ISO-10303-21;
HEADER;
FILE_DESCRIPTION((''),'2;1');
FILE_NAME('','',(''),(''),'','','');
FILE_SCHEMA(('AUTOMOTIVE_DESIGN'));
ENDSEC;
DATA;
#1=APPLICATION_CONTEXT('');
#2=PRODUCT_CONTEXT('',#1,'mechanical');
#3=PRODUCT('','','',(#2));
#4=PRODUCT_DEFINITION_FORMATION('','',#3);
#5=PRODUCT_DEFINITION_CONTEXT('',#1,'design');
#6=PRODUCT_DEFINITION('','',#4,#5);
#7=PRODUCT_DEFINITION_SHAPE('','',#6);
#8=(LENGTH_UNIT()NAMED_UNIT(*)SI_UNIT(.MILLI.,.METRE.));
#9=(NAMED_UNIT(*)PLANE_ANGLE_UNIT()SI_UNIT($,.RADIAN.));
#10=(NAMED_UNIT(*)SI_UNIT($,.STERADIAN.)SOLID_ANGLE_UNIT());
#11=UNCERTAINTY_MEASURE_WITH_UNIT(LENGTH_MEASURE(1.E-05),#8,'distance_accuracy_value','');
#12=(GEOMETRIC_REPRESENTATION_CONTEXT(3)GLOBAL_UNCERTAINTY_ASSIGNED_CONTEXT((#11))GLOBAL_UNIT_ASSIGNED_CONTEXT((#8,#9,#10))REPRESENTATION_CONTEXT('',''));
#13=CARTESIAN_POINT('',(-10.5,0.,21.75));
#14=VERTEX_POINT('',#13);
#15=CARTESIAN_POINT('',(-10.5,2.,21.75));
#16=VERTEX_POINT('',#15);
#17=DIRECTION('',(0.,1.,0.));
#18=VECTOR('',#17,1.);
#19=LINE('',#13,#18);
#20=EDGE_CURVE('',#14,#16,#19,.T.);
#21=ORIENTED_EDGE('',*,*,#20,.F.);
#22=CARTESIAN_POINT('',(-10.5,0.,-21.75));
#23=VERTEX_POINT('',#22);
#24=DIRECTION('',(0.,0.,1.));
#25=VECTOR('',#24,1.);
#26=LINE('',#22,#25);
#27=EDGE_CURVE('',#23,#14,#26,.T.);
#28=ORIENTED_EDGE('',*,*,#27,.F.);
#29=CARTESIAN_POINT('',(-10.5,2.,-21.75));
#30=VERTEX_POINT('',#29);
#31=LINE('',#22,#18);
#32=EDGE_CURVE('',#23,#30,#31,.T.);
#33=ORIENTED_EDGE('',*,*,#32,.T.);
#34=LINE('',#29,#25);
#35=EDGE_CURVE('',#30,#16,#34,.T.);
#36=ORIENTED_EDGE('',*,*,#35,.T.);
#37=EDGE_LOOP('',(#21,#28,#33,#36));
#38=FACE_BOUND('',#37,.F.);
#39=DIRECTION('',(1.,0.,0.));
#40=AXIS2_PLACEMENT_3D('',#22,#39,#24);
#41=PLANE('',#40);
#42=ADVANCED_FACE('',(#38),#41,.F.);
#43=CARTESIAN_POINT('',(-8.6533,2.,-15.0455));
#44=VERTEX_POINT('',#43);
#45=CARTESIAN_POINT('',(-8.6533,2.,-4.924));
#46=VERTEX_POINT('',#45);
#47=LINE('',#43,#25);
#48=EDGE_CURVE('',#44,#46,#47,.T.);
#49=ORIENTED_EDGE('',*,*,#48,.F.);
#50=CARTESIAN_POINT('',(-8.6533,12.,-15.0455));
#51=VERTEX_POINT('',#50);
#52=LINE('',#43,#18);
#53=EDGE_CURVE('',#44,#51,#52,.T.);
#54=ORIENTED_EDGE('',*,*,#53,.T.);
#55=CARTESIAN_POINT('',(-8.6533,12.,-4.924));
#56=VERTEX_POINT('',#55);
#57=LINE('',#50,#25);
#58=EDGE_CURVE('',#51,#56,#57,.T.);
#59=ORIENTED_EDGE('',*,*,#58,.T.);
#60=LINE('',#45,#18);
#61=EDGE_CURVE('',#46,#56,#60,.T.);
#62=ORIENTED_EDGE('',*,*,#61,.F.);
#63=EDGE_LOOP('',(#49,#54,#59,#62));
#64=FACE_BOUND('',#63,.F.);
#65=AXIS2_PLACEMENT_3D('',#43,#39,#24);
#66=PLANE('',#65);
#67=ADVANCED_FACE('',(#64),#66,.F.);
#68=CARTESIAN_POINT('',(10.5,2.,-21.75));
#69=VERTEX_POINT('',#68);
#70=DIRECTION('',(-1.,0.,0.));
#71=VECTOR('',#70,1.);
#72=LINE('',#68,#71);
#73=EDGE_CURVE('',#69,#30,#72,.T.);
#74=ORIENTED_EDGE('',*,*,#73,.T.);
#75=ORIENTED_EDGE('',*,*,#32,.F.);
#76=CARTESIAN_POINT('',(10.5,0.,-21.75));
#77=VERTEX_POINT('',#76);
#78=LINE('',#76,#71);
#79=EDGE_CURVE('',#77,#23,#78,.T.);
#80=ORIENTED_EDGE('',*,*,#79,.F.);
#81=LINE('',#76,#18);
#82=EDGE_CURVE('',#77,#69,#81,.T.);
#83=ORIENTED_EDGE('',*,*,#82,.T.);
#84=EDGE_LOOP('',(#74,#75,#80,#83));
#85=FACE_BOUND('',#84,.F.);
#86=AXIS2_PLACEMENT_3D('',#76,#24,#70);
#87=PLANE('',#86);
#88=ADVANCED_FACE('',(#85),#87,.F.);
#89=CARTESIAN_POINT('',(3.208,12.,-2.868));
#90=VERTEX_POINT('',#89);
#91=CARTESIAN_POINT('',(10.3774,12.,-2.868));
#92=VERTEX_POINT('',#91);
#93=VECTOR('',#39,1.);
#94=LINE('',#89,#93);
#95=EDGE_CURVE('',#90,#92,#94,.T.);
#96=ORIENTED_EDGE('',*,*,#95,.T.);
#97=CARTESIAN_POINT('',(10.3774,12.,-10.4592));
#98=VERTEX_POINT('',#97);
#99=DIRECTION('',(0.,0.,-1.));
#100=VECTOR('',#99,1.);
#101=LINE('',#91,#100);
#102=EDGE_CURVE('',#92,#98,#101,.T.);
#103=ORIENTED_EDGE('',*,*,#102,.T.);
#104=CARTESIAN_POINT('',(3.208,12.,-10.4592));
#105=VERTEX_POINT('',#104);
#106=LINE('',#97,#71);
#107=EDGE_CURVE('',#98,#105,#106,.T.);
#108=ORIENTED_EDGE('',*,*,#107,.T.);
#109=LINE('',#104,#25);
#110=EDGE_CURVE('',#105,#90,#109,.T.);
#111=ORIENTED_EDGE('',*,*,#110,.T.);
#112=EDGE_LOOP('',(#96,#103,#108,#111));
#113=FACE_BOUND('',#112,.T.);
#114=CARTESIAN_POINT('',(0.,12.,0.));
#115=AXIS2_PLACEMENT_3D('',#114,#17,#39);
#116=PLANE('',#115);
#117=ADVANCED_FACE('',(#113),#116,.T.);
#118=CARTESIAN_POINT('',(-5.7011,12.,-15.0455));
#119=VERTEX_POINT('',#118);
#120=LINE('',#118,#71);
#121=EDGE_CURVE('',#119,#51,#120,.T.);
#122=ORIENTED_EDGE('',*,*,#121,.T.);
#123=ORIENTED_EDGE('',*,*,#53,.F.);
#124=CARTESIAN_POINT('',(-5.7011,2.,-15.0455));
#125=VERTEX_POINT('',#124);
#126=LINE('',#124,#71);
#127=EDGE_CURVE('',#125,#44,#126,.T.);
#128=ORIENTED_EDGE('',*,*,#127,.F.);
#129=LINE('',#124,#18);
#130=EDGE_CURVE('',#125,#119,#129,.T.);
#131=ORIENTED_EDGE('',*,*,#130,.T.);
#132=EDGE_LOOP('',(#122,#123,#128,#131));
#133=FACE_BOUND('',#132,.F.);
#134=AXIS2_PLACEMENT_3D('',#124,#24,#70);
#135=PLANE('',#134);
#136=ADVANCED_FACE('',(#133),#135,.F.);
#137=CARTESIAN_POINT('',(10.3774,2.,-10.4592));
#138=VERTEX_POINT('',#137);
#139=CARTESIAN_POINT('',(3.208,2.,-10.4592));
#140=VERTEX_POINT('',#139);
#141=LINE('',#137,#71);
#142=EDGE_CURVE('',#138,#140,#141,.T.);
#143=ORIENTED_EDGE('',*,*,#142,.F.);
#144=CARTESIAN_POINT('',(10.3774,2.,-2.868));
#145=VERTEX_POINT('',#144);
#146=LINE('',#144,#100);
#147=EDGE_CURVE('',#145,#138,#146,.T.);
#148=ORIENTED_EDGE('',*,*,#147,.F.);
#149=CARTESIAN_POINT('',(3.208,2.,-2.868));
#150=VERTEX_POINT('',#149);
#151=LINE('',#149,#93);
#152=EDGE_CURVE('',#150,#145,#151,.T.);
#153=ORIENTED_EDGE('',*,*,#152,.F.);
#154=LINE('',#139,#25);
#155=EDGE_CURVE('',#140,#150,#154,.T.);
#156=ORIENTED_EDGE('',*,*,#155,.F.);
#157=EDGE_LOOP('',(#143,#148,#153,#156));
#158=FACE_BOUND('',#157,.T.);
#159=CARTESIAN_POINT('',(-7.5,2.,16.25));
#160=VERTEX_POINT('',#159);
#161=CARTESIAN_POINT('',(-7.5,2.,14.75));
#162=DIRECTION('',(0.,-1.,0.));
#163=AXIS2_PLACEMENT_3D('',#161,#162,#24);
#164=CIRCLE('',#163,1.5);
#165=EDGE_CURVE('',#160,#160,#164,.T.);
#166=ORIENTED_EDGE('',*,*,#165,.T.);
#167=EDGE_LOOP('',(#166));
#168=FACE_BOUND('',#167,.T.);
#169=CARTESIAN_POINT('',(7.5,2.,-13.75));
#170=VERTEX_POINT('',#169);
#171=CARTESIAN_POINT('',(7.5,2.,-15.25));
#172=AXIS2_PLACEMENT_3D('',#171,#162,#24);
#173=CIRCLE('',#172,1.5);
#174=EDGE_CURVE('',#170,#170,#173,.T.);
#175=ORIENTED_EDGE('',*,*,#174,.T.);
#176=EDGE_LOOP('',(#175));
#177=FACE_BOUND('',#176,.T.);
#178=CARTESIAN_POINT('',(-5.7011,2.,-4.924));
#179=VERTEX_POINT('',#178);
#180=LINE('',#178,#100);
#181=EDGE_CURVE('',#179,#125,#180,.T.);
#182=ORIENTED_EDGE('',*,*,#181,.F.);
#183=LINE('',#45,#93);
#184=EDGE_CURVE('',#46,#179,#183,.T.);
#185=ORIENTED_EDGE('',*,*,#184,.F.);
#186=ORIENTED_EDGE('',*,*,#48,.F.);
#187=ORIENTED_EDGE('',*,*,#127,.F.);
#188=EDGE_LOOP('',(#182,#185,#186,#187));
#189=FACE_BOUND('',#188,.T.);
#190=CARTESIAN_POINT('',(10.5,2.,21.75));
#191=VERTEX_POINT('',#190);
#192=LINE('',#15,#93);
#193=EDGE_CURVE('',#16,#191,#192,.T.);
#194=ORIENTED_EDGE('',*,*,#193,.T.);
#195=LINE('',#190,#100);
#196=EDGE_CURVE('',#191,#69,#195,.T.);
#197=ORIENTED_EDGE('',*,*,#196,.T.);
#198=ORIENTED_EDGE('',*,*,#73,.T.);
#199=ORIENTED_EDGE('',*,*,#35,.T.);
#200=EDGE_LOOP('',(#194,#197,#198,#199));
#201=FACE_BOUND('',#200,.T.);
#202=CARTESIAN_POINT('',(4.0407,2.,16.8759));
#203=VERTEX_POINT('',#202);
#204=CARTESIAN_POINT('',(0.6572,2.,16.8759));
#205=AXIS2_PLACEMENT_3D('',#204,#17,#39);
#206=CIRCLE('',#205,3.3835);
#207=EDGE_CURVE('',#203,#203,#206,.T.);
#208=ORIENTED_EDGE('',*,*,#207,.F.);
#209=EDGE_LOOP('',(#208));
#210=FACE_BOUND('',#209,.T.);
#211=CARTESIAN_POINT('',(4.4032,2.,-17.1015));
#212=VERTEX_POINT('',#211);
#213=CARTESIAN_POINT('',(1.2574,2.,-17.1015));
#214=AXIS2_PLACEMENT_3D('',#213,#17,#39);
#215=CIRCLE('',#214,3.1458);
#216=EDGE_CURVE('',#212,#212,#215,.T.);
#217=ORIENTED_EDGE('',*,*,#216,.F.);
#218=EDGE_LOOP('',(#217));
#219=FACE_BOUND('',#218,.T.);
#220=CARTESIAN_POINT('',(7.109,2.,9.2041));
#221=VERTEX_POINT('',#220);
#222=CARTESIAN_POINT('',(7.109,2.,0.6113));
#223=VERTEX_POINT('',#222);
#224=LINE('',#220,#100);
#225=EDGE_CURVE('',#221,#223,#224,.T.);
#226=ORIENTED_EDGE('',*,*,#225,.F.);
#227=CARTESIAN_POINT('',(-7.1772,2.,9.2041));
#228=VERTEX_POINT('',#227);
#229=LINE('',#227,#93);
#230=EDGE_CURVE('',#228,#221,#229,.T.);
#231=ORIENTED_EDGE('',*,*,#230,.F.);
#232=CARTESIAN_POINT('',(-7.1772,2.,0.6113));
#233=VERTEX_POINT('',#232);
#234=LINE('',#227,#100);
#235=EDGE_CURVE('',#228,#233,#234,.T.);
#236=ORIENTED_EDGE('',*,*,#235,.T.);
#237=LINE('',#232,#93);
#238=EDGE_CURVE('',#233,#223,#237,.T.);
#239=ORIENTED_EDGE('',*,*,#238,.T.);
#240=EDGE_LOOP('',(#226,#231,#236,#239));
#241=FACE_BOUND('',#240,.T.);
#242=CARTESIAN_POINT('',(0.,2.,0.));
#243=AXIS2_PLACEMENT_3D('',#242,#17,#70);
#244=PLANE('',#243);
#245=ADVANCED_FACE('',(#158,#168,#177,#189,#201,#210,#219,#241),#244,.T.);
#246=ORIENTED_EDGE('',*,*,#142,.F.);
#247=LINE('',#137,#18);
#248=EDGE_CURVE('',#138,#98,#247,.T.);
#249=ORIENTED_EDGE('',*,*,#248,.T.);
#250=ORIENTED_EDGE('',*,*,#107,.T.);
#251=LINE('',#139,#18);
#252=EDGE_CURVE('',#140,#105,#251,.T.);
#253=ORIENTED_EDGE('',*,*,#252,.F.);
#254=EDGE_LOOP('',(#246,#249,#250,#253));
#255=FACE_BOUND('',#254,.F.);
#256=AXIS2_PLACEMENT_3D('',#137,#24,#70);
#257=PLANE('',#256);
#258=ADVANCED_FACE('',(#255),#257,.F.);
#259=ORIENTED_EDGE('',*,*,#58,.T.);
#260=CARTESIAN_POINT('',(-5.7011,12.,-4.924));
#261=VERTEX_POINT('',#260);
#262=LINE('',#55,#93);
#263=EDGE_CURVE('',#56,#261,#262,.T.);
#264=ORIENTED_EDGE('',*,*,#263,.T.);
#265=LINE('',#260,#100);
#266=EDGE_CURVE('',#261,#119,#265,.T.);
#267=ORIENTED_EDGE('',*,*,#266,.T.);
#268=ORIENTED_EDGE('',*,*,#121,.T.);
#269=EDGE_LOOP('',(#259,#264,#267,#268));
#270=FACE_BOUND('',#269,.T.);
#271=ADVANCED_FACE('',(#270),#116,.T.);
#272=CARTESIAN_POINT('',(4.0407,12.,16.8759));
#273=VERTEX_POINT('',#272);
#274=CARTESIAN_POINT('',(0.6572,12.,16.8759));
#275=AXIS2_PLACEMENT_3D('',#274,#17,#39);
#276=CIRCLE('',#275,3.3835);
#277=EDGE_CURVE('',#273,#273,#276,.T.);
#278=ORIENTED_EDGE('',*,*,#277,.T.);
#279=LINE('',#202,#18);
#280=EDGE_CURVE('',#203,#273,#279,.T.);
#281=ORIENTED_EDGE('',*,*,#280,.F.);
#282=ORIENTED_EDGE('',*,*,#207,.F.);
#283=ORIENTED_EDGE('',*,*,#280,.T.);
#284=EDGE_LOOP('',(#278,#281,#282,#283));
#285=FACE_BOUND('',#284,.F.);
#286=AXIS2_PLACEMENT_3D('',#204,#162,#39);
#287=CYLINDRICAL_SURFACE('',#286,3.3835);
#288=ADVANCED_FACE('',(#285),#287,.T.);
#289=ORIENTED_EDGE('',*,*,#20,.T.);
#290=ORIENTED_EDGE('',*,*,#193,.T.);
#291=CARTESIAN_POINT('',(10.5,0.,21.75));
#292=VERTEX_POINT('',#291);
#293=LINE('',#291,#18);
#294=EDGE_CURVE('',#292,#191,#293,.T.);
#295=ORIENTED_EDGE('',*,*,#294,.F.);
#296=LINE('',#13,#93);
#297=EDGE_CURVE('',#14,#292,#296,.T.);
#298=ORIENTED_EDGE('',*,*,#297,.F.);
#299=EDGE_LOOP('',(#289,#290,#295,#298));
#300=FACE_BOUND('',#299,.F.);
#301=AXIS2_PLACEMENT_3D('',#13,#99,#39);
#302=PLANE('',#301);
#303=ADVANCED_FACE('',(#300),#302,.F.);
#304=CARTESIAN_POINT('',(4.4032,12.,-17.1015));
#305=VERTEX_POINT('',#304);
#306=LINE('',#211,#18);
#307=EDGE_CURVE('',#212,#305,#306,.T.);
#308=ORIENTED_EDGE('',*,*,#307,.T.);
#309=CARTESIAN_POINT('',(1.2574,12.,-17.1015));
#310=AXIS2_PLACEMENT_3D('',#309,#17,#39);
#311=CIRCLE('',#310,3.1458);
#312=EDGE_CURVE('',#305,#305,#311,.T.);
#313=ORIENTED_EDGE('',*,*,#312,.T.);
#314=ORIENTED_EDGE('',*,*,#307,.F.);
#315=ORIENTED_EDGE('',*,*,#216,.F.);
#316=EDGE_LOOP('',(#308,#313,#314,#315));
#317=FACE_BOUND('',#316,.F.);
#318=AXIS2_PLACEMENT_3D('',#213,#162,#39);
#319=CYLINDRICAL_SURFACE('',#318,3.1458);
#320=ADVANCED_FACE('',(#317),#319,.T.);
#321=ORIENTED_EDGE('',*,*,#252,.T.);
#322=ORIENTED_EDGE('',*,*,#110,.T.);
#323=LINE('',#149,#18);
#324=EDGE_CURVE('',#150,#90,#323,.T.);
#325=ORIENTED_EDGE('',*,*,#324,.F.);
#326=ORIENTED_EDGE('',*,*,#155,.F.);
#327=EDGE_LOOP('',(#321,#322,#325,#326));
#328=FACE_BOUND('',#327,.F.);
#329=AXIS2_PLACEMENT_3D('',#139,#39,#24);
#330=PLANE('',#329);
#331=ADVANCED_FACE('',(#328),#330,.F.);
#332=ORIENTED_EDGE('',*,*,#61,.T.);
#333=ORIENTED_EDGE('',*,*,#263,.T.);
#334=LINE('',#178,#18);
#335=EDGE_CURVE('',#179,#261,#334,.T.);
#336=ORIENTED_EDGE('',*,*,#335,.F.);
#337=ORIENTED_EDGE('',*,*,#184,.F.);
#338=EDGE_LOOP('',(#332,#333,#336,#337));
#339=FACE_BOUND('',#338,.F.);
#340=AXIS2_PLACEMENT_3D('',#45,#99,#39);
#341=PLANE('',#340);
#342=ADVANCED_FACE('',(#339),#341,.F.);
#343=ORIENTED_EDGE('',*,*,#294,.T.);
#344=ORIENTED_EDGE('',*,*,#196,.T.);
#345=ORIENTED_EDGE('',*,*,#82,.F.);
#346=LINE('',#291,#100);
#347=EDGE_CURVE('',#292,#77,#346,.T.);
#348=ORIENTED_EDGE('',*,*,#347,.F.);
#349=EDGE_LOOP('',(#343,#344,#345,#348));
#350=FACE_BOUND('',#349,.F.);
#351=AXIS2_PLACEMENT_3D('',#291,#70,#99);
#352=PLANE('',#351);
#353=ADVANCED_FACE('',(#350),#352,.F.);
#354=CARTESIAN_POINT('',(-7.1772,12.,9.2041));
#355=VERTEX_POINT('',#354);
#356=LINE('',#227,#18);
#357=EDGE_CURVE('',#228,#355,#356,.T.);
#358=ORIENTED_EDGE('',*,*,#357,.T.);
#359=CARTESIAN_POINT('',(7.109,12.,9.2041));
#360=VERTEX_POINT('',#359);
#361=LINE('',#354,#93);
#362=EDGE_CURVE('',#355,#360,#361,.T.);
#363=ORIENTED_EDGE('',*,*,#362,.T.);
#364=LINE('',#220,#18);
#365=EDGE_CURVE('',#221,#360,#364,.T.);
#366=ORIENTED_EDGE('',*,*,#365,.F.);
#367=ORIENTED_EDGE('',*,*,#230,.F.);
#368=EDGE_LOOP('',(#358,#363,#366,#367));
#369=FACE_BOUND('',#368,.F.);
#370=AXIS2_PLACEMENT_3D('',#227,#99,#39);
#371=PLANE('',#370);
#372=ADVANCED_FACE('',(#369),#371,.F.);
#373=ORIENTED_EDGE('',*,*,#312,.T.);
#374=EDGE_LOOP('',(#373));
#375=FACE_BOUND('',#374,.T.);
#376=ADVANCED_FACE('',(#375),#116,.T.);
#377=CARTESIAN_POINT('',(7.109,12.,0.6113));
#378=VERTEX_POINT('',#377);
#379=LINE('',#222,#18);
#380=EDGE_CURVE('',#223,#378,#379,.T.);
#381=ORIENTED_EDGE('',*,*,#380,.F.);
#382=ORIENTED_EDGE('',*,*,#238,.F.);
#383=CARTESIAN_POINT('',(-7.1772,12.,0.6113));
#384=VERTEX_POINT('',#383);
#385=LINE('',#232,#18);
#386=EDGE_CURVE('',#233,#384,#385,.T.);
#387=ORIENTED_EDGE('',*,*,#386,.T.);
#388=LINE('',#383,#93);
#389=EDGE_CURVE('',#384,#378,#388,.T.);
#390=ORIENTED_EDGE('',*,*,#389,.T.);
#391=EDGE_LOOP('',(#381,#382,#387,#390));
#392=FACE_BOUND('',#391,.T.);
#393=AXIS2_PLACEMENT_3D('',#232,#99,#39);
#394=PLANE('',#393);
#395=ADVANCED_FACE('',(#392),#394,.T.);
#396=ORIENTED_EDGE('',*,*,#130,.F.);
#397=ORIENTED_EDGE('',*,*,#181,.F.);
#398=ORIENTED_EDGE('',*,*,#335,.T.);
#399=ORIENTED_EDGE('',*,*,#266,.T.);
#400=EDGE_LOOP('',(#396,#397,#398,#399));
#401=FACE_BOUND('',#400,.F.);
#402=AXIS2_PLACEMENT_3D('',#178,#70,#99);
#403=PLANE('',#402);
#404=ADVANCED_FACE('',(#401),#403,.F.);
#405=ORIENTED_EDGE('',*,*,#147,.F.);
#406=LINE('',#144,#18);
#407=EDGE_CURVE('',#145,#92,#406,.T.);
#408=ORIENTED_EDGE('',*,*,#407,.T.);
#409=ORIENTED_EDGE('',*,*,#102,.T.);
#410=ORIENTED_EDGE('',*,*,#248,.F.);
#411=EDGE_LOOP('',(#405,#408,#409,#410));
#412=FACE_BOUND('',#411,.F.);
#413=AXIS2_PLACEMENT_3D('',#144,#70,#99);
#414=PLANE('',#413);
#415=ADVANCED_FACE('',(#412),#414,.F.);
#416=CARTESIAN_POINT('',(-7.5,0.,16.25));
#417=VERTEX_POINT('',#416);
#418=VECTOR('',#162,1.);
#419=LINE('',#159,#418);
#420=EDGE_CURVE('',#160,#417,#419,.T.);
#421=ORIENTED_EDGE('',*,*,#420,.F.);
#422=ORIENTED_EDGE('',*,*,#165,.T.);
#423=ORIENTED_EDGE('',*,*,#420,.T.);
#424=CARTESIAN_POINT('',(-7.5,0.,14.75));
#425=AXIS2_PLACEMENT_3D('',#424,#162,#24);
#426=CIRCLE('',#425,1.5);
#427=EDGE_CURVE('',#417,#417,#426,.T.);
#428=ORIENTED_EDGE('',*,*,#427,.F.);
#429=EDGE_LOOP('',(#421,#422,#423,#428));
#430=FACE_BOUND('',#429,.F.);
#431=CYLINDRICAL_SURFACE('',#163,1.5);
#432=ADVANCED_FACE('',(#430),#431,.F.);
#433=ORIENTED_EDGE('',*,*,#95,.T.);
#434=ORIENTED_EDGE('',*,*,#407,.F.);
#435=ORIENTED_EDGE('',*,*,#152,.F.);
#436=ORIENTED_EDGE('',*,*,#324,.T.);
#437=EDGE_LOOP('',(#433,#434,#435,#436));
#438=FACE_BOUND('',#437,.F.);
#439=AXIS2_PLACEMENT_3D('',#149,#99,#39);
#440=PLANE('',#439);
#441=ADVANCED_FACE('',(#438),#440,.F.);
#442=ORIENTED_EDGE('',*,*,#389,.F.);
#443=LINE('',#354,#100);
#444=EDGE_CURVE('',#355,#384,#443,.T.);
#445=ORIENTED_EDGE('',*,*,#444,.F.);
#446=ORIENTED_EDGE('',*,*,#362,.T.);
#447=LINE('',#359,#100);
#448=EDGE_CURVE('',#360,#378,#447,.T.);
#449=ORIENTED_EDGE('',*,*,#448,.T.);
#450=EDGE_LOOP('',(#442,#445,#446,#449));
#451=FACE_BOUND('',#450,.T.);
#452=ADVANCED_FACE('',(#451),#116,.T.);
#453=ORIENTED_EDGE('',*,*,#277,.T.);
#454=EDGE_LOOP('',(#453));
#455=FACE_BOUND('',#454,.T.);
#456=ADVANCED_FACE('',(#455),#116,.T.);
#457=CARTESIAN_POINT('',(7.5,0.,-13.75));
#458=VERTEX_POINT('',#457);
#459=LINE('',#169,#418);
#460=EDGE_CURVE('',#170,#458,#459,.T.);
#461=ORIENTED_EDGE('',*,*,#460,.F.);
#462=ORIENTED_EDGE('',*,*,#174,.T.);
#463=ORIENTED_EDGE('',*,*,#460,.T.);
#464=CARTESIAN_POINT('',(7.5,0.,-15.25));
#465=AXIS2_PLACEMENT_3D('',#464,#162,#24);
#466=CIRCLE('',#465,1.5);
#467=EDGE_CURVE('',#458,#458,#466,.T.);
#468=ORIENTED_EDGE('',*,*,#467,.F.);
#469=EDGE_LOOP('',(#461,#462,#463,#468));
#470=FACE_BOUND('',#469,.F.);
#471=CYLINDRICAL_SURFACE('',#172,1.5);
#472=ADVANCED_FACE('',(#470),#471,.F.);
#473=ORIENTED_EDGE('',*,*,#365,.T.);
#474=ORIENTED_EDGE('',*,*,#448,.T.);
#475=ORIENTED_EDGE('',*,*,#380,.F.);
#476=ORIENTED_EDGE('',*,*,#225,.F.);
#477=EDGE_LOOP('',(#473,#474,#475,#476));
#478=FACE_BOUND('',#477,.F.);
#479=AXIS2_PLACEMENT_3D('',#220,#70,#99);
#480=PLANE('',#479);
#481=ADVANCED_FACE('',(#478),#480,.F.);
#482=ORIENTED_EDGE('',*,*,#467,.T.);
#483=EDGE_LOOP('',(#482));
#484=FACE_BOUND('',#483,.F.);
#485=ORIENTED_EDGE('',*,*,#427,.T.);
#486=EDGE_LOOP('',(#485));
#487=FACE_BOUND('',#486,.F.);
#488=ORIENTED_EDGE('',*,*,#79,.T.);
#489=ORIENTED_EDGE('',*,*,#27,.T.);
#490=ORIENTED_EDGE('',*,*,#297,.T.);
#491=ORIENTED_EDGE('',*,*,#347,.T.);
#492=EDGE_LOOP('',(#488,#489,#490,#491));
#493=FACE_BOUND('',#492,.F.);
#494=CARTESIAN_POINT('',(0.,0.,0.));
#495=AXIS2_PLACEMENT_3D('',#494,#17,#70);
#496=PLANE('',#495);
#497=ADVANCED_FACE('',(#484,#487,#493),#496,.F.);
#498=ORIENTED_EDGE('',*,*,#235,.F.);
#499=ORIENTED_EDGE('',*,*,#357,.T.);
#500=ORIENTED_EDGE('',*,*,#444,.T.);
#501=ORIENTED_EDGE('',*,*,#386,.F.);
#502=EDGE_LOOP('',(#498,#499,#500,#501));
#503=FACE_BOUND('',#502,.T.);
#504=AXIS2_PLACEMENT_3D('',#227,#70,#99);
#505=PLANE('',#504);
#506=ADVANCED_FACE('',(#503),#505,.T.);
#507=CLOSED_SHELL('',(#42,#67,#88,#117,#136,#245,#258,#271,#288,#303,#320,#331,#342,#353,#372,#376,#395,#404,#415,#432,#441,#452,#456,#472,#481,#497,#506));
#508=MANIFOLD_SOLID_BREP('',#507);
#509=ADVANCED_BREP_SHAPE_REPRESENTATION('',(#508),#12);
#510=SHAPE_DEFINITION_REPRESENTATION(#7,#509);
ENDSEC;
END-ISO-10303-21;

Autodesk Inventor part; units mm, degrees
ref_plane "YZ Plane" through (0, 0, 0) normal (1, 0, 0) x (0, 1, 0)
ref_plane "XZ Plane" through (0, 0, 0) normal (0, 1, 0) x (-1, 0, 0)
ref_plane "XY Plane" through (0, 0, 0) normal (0, 0, 1) x (1, 0, 0)
sketch "Szkic1" plane through (0, 0, 0) normal (0, 1, 0) x (-1, 0, 0)
  line L0 (-10.5, -21.75) -> (10.5, -21.75)
  line L1 (10.5, -21.75) -> (10.5, 21.75)
  line L2 (10.5, 21.75) -> (-10.5, 21.75)
  line L3 (-10.5, 21.75) -> (-10.5, -21.75)
  line L4 (-10.5, -21.75) -> (10.5, 21.75) construction
  line L5 (10.5, -21.75) -> (-10.5, 21.75) construction
  point P0 (0, 0)
  dimension "d0" = 21
  dimension "d1" = 43.5
extrude "Wyciągnięcie proste1" add sketch "Szkic1" along normal blind 2
sketch "Szkic2" plane through (0, 2, 0) normal (0, 1, 0) x (1, 0, 0)
  line L0 (10.5, 21.75) -> (-10.5, 21.75) projected
  line L1 (-10.5, 21.75) -> (-10.5, -21.75) projected
  line L2 (-10.5, -21.75) -> (10.5, -21.75) projected
  line L3 (10.5, -21.75) -> (10.5, 21.75) projected
  point P0 (0, 0)
  point P1 (-7.5, -14.75)
  point P2 (7.5, 15.25)
  dimension "d4" = 3
  dimension "d5" = 7
  dimension "d6" = 6.5
  dimension "d7" = 3
hole "Otwór1" at (-7.5, 2, 14.75) at (7.5, 2, -15.25) direction (0, -1, 0) diameter 3 end through all
sketch "Szkic3" plane through (0, 2, 0) normal (0, 1, 0) x (1, 0, 0)
  line L0 (-7.1772, -9.2041) -> (7.109, -9.2041)
  line L1 (7.109, -9.2041) -> (7.109, -0.6113)
  line L2 (-7.1772, -9.2041) -> (-7.1772, -0.6113)
  line L3 (-7.1772, -0.6113) -> (7.109, -0.6113)
  line L4 (10.3774, 10.4592) -> (3.208, 10.4592)
  line L5 (3.208, 10.4592) -> (3.208, 2.868)
  line L6 (3.208, 2.868) -> (10.3774, 2.868)
  line L7 (10.3774, 2.868) -> (10.3774, 10.4592)
  line L8 (10.3774, 10.4592) -> (3.208, 2.868) construction
  line L9 (3.208, 10.4592) -> (10.3774, 2.868) construction
  line L10 (-5.7011, 15.0455) -> (-8.6533, 15.0455)
  line L11 (-8.6533, 15.0455) -> (-8.6533, 4.924)
  line L12 (-8.6533, 4.924) -> (-5.7011, 4.924)
  line L13 (-5.7011, 4.924) -> (-5.7011, 15.0455)
  line L14 (-5.7011, 15.0455) -> (-8.6533, 4.924) construction
  line L15 (-8.6533, 15.0455) -> (-5.7011, 4.924) construction
  circle A0 centre (0.6572, -16.8759) radius 3.3835
  circle A1 centre (1.2574, 17.1015) radius 3.1458
  point P0 (0, 0)
  point P1 (6.7927, 6.6636)
  point P2 (-7.1772, 9.9848)
extrude "Wyciągnięcie proste2" add sketch "Szkic3" along normal blind 10
properties part number "step up"
